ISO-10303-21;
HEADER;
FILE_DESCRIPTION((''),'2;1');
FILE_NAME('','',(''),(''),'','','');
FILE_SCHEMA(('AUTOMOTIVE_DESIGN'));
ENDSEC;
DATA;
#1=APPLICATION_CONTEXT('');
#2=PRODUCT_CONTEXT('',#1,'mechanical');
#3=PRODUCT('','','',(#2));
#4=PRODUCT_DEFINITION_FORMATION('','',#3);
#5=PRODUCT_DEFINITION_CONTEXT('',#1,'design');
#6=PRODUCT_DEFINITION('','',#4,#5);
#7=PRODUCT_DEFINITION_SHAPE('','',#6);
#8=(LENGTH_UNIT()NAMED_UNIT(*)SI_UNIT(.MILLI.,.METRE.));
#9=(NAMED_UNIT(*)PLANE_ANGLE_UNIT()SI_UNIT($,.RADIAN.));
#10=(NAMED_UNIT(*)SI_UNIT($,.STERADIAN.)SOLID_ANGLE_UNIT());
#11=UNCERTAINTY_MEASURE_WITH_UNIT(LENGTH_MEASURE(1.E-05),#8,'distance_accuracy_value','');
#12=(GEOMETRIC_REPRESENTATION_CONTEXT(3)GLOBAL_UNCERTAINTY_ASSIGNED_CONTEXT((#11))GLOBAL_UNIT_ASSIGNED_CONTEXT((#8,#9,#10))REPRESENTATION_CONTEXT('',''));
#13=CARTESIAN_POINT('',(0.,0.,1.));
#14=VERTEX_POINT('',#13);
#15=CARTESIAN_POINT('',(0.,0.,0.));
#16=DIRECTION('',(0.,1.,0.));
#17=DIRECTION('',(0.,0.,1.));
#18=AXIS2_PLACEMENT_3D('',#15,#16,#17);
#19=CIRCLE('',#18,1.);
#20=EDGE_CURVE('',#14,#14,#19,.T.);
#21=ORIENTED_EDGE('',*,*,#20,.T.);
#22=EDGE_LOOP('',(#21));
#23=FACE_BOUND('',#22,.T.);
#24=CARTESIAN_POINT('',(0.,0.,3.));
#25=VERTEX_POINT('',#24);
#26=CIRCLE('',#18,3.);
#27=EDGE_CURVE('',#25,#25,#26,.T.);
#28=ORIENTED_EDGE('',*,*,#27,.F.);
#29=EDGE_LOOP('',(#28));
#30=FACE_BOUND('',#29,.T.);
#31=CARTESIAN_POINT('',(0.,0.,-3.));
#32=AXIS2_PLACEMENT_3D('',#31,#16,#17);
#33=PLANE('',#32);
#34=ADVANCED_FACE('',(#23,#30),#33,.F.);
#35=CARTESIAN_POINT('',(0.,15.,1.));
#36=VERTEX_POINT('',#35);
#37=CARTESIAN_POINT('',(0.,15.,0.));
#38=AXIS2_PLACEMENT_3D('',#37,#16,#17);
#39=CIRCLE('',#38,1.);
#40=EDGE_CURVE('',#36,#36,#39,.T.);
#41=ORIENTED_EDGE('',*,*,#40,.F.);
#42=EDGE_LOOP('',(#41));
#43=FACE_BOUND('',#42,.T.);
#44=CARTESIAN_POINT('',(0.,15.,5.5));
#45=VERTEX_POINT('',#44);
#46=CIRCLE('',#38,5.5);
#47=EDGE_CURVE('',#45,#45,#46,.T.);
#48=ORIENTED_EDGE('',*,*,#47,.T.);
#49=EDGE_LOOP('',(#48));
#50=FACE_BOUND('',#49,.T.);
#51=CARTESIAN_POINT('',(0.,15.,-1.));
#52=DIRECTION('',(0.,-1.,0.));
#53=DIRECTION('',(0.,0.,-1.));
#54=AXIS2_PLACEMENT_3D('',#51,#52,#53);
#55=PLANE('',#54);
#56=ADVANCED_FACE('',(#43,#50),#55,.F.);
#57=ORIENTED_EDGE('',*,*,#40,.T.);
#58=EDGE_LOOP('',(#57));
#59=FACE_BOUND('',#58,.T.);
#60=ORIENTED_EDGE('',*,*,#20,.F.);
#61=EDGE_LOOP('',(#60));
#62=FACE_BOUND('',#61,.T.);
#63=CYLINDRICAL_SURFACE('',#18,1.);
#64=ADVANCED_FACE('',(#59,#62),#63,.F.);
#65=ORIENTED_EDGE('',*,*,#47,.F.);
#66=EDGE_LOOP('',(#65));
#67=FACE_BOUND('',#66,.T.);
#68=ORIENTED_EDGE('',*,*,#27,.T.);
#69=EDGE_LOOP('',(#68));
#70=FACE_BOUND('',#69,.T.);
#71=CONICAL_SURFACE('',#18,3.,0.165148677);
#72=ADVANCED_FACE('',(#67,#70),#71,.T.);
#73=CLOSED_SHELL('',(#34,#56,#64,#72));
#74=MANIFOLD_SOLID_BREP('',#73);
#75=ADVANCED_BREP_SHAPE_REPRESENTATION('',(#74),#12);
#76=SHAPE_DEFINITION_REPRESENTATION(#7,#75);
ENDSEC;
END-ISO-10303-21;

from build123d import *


with BuildPart() as part:
    # Sketch1 → Revolve1 (revolve)
    with BuildSketch(Plane(origin=(0, 0, 0), x_dir=(0, 0, -1), z_dir=(1, 0, 0)), mode=Mode.PRIVATE) as revolve1_sk:
        Polygon((1, 15), (5.5, 15), (3, 0), (1, 0), align=None)
    revolve(revolve1_sk.sketch.rotate(Axis((0, 0, 0), (0, -1, 0)), 180), axis=Axis((0, 0, 0), (0, -1, 0)))


solid = part.part
